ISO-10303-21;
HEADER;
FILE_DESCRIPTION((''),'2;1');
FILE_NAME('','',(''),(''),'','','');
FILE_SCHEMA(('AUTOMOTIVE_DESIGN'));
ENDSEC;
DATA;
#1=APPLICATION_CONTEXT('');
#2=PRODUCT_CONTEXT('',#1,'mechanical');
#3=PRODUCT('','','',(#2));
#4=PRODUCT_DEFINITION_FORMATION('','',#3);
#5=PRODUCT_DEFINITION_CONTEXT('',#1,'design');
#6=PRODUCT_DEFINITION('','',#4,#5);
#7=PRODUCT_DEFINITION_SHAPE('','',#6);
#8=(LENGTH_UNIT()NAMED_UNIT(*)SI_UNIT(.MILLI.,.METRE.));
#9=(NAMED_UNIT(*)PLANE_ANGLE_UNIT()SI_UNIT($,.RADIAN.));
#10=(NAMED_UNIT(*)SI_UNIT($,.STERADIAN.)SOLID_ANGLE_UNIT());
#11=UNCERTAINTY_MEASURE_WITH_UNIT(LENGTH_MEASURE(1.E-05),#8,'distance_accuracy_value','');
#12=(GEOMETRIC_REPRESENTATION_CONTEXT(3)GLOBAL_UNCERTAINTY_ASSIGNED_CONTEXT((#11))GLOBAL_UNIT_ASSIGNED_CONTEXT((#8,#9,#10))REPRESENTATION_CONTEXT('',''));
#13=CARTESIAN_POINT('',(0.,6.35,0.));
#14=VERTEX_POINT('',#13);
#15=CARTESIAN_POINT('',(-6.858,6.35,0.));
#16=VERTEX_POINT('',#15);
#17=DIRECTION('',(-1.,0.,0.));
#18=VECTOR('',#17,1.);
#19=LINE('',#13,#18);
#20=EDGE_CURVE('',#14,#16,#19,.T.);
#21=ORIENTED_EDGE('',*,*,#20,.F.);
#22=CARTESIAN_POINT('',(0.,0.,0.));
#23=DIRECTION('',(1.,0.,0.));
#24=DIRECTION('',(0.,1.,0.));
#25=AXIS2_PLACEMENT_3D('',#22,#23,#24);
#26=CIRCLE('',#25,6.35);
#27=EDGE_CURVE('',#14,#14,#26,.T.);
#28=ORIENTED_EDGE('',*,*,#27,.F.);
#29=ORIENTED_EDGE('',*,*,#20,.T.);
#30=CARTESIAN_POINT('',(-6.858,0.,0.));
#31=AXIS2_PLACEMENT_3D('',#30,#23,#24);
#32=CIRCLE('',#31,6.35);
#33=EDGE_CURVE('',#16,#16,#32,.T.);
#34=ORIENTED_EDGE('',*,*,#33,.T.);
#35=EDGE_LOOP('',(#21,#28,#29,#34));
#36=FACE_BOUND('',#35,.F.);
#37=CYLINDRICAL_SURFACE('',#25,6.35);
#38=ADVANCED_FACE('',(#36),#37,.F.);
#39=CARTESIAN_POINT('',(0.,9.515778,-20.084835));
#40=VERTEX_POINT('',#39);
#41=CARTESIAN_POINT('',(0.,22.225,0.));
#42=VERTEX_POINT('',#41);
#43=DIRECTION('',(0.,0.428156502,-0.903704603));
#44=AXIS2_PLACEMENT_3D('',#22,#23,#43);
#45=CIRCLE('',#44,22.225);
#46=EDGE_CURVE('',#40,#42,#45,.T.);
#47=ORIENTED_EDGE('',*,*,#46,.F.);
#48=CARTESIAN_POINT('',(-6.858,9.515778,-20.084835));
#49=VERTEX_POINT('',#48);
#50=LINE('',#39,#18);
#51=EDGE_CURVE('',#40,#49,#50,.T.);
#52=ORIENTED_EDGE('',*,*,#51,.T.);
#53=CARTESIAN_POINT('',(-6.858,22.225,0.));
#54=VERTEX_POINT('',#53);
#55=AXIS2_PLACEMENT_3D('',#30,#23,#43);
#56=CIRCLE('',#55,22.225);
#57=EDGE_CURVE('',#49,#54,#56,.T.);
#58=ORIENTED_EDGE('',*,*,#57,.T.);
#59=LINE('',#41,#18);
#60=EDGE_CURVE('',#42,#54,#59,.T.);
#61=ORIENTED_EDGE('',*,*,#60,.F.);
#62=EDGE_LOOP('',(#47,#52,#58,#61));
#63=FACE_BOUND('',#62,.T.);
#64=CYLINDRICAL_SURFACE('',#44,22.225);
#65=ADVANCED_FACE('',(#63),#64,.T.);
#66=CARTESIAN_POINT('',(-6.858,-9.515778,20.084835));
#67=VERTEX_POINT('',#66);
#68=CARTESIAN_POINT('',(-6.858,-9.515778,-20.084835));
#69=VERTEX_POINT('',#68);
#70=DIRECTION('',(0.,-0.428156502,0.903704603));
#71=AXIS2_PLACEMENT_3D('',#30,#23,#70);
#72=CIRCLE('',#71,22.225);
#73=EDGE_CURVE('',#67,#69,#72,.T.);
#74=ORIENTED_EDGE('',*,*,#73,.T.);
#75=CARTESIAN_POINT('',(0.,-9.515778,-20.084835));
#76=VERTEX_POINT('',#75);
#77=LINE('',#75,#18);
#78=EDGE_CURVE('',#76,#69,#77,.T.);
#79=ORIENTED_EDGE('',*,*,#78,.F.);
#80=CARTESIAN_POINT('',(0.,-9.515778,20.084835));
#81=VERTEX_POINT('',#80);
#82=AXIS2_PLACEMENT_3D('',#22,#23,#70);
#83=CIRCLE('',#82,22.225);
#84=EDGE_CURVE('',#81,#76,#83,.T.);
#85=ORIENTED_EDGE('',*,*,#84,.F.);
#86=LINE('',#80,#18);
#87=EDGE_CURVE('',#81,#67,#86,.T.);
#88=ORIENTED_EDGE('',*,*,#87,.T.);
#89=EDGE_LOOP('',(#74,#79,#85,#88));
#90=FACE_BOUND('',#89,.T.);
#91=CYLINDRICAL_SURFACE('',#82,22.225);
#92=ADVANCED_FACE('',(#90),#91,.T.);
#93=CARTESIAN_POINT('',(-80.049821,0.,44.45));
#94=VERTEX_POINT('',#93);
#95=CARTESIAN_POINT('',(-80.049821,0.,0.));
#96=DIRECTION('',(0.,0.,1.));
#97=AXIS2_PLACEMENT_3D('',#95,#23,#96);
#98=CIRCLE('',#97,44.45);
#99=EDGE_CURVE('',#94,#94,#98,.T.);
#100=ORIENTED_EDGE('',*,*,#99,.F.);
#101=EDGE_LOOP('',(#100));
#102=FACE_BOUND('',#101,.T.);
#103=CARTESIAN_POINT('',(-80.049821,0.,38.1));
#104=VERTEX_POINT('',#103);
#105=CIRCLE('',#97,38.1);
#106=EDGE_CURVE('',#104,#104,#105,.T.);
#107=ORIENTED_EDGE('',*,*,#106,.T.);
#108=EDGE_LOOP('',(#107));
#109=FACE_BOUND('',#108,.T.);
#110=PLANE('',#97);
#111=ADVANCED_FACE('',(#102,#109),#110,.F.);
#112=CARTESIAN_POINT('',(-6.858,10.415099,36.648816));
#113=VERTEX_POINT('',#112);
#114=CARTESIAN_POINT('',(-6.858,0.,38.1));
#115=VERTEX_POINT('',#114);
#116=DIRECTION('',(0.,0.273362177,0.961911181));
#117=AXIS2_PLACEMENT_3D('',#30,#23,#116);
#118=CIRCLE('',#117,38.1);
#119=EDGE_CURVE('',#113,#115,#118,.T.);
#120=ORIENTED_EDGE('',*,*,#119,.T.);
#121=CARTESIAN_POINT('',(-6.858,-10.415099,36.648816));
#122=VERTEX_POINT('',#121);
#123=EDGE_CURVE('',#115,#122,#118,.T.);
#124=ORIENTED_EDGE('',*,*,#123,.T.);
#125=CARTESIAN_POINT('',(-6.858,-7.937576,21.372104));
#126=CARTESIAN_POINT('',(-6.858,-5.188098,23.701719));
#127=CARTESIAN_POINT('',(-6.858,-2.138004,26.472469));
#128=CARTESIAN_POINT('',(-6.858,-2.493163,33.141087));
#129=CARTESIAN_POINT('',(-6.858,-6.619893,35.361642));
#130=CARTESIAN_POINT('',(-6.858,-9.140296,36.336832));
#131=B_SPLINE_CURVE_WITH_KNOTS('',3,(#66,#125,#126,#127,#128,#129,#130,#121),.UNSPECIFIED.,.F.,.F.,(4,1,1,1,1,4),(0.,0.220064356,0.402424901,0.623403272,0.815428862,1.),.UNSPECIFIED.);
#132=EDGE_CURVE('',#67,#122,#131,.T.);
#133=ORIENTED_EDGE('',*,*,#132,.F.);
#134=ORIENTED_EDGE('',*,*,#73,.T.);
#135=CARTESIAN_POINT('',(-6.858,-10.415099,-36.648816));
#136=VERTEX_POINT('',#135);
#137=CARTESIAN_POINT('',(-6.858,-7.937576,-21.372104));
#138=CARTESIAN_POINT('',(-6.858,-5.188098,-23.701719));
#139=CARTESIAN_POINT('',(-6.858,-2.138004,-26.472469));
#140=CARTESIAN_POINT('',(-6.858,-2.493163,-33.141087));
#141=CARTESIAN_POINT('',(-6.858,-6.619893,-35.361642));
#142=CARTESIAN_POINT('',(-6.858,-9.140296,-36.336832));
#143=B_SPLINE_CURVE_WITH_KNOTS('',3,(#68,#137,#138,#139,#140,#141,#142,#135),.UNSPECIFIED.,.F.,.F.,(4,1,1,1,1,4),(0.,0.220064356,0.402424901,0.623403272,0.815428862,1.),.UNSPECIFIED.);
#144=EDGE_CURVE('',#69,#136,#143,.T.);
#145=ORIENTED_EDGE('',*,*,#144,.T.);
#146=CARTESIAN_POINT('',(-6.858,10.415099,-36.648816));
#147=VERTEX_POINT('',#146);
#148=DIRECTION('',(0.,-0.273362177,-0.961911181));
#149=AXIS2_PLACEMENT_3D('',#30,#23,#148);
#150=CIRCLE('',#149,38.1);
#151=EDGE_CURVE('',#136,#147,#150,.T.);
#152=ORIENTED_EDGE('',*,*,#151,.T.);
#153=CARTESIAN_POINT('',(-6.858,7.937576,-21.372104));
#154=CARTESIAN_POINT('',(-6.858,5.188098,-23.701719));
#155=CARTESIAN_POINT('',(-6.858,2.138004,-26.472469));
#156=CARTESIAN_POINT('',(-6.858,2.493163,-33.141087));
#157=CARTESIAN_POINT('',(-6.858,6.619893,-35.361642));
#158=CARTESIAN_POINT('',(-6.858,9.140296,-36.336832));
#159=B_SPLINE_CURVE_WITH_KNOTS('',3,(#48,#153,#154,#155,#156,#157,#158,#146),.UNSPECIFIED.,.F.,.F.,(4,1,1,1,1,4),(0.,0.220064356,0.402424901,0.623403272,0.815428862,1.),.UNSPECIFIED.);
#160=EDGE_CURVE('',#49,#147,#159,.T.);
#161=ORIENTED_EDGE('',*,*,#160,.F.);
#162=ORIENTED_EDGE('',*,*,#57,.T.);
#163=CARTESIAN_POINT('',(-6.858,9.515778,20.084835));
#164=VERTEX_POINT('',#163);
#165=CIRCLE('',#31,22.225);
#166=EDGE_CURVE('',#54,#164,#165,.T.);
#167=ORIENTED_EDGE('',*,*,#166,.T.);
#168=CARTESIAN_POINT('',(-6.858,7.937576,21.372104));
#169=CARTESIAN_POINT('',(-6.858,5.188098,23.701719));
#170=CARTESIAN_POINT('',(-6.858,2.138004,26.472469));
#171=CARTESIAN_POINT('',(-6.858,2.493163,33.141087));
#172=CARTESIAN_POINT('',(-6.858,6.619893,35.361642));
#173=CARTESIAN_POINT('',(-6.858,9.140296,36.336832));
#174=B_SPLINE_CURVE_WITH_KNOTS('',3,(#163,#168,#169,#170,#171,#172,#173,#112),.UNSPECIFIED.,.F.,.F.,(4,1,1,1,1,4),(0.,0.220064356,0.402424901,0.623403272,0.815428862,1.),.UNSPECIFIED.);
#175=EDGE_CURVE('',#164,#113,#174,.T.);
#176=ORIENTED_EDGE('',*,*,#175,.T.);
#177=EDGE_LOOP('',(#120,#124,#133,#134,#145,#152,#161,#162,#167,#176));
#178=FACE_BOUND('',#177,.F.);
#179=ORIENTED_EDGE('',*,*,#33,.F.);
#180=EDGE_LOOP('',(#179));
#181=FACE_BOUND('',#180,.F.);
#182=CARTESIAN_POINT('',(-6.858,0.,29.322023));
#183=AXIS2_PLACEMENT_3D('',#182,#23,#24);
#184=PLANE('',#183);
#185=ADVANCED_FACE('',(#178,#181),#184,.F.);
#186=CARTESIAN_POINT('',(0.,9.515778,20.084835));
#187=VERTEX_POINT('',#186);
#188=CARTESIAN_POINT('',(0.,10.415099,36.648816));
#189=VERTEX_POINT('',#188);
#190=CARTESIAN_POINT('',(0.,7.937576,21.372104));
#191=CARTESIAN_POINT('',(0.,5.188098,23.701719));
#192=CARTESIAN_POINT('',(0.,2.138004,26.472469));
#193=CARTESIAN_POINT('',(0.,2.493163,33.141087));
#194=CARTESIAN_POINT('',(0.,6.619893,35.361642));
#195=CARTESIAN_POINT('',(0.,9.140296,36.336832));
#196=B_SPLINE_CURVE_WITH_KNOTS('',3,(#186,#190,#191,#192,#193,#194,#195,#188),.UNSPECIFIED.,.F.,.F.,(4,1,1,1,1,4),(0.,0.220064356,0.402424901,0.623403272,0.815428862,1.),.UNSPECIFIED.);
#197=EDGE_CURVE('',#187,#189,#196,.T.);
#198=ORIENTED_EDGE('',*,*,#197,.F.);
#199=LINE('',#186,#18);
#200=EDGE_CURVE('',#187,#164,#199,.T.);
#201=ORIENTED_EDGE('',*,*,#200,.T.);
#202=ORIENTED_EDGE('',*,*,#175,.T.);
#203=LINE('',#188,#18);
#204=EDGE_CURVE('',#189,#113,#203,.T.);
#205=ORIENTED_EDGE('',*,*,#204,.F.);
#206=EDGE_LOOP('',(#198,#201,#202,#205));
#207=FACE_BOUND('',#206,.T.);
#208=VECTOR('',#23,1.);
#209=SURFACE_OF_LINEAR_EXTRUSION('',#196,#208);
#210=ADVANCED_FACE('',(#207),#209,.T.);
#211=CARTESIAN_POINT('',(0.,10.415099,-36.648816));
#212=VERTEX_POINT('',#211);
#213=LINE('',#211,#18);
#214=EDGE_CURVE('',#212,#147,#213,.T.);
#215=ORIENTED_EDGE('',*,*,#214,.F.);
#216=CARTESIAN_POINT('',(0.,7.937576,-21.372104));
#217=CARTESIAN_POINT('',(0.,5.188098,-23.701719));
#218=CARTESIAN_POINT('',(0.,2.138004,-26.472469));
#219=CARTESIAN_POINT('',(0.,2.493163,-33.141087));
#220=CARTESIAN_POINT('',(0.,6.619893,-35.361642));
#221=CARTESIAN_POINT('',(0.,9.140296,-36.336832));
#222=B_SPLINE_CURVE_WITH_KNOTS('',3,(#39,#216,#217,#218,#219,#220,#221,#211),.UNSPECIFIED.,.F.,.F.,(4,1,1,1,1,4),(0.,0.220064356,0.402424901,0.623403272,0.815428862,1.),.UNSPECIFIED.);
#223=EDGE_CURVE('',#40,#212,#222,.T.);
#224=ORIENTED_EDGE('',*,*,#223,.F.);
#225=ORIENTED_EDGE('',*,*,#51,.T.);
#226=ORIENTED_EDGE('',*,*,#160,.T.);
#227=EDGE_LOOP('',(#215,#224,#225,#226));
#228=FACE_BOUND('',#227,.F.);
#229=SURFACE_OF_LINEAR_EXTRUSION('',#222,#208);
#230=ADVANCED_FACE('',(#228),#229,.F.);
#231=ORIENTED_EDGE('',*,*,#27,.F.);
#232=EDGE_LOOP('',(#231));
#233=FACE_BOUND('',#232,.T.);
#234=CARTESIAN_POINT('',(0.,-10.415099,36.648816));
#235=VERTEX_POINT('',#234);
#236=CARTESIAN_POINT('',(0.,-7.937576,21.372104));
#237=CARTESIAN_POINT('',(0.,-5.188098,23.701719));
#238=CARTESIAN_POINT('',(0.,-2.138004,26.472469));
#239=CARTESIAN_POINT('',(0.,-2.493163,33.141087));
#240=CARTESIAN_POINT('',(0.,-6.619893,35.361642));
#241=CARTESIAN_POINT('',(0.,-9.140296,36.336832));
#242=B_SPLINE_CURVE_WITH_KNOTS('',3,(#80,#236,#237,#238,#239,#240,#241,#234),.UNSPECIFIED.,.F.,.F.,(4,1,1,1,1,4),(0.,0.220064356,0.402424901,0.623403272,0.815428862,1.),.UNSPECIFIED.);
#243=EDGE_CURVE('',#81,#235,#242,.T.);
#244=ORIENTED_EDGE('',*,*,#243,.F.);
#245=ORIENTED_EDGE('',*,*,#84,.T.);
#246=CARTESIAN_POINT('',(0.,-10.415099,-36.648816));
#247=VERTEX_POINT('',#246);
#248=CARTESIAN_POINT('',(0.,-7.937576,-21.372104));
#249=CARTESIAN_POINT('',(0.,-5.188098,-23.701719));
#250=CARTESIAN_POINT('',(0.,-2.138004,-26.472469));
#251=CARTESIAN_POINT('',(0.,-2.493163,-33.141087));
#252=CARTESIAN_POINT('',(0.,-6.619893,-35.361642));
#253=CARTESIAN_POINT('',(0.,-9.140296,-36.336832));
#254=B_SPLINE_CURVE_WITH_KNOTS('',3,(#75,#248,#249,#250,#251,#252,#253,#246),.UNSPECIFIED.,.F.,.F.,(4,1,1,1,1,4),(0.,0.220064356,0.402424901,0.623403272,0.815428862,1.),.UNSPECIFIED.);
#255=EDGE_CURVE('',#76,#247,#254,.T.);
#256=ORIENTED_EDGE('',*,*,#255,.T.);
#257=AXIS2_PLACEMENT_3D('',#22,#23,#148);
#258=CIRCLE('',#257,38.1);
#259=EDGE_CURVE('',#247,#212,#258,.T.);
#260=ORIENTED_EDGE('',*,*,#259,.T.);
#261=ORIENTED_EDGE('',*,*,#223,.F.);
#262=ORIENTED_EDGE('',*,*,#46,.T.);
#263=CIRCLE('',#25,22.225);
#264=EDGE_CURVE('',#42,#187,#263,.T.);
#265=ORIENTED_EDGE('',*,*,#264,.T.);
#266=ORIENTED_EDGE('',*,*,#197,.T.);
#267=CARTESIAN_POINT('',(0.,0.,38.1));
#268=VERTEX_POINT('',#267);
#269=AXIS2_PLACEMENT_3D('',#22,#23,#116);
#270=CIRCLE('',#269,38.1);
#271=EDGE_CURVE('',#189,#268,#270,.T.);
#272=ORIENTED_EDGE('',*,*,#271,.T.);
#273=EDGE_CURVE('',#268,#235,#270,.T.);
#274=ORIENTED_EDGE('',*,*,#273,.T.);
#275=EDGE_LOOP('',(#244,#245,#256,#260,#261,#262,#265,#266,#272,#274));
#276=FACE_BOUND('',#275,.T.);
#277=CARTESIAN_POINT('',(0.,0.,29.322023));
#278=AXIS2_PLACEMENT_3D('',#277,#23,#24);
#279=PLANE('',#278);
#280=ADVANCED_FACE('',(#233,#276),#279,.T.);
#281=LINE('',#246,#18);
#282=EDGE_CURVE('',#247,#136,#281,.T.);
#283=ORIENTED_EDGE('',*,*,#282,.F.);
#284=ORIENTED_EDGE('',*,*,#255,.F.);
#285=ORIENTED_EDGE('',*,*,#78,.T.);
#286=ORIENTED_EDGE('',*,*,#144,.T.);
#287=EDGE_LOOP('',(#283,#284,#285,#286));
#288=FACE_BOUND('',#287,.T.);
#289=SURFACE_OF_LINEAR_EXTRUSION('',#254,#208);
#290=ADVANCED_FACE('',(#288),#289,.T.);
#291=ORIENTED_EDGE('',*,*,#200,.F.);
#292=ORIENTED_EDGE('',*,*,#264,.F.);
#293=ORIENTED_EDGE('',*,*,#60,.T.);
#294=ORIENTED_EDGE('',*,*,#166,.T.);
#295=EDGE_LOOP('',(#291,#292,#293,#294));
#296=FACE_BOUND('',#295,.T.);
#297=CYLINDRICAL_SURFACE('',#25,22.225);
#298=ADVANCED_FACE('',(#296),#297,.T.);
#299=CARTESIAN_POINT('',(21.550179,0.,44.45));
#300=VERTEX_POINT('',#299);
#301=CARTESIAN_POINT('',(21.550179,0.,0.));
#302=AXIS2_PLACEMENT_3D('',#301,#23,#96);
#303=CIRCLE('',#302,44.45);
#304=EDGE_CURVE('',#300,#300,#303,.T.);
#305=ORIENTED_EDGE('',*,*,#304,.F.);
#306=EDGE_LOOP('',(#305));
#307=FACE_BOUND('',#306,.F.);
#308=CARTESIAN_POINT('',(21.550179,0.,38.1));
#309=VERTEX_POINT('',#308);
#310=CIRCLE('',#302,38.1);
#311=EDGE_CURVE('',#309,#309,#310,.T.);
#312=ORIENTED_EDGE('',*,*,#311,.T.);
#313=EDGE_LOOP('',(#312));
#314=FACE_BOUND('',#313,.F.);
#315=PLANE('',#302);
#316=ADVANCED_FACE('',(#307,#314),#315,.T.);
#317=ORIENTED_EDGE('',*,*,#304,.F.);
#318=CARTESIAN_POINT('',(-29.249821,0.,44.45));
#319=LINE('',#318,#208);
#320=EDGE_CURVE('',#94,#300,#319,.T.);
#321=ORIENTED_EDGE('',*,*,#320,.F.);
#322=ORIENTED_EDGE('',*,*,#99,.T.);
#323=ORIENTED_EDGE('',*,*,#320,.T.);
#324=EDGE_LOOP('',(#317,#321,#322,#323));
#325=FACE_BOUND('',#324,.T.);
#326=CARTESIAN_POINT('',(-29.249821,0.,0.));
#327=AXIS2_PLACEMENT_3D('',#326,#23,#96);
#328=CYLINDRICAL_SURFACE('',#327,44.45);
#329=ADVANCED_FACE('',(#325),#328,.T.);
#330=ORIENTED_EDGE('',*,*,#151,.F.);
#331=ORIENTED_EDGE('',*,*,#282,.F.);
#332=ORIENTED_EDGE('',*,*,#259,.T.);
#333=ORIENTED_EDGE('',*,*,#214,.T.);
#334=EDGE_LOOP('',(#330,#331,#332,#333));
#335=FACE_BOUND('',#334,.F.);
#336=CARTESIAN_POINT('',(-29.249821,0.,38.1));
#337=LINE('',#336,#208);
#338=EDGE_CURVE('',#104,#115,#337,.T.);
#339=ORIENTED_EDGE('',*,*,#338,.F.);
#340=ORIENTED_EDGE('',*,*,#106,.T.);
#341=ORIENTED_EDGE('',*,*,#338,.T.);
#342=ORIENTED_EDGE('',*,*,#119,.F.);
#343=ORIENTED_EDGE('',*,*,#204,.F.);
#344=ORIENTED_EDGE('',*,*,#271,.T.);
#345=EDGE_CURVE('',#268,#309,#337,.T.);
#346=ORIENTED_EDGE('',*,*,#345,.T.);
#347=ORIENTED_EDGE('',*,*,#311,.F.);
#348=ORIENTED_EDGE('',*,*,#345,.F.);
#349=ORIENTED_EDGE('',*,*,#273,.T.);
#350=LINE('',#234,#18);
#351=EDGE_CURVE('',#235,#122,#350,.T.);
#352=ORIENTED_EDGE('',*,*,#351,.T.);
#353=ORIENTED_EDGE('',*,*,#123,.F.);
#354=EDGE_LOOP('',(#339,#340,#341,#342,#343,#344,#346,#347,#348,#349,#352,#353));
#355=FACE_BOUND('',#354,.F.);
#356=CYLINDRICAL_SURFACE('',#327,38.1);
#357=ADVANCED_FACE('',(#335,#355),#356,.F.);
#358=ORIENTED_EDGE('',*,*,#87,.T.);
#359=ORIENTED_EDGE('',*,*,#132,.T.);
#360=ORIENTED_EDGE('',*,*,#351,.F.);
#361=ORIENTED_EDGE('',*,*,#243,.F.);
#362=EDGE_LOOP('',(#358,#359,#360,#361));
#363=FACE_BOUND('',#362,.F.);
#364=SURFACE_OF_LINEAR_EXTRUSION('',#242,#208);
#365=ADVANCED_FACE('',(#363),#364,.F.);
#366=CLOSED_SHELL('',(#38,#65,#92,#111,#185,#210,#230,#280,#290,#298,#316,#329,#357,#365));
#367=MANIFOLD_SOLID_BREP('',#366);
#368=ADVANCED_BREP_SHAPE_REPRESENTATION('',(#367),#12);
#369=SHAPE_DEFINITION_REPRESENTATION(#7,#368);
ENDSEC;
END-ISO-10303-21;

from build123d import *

# Parameters (mm, degrees)
F0_W     = 101.6
F0_H     = 6.35
F2_R     = 6.35
F3_DEPTH = 6.858


with BuildPart() as f1:
    # F0 (on Front) → F1 (revolve)
    with BuildSketch(Plane.XZ):
        with Locations((-29.2498211854, 41.275)):
            Rectangle(F0_W, F0_H)
    revolve(axis=Axis((-38.313806057, 0, 0), (1, 0, 0)))

    # F2 (on Right) → F3 (join)
    with BuildSketch(Plane.YZ):
        with BuildLine():
            ThreePointArc((-9.515778256, 20.0848348059), (0, 22.225), (9.515778256, 20.0848348059))
            add(Edge.make_bspline(
                [(9.515778256, 20.0848348059), (7.9375755544, 21.3721038869), (5.1880981762, 23.7017194046), (2.1380038573, 26.4724692578), (2.4931630977, 33.1410867844), (6.6198931457, 35.3616419631), (9.1402957069, 36.3368324004), (10.4150989588, 36.6488159929)],
                knots=[0, 0, 0, 0, 0.2200643555, 0.4024249008, 0.6234032719, 0.8154288622, 1, 1, 1, 1], degree=3))
            ThreePointArc((10.4150989588, 36.6488159929), (0, 38.1), (-10.4150989588, 36.6488159929))
            add(Edge.make_bspline(
                [(-9.515778256, 20.0848348059), (-7.9375755544, 21.3721038869), (-5.1880981762, 23.7017194046), (-2.1380038573, 26.4724692578), (-2.4931630977, 33.1410867844), (-6.6198931457, 35.3616419631), (-9.1402957069, 36.3368324004), (-10.4150989588, 36.6488159929)],
                knots=[0, 0, 0, 0, 0.2200643555, 0.4024249008, 0.6234032719, 0.8154288622, 1, 1, 1, 1], degree=3))
        make_face()
        with BuildLine():
            ThreePointArc((9.515778256, -20.0848348059), (18.7808252846, -11.8840744961), (22.225, 0))
            ThreePointArc((22.225, 0), (18.7808252846, 11.8840744961), (9.515778256, 20.0848348059))
            ThreePointArc((9.515778256, 20.0848348059), (0, 22.225), (-9.515778256, 20.0848348059))
            ThreePointArc((-9.515778256, 20.0848348059), (-22.225, 0), (-9.515778256, -20.0848348059))
            ThreePointArc((-9.515778256, -20.0848348059), (0, -22.225), (9.515778256, -20.0848348059))
        make_face()
        Circle(F2_R, mode=Mode.SUBTRACT)
        with BuildLine():
            add(Edge.make_bspline(
                [(9.515778256, -20.0848348059), (7.9375755544, -21.3721038869), (5.1880981762, -23.7017194046), (2.1380038573, -26.4724692578), (2.4931630977, -33.1410867844), (6.6198931457, -35.3616419631), (9.1402957069, -36.3368324004), (10.4150989588, -36.6488159929)],
                knots=[0, 0, 0, 0, 0.2200643555, 0.4024249008, 0.6234032719, 0.8154288622, 1, 1, 1, 1], degree=3))
            ThreePointArc((9.515778256, -20.0848348059), (0, -22.225), (-9.515778256, -20.0848348059))
            add(Edge.make_bspline(
                [(-9.515778256, -20.0848348059), (-7.9375755544, -21.3721038869), (-5.1880981762, -23.7017194046), (-2.1380038573, -26.4724692578), (-2.4931630977, -33.1410867844), (-6.6198931457, -35.3616419631), (-9.1402957069, -36.3368324004), (-10.4150989588, -36.6488159929)],
                knots=[0, 0, 0, 0, 0.2200643555, 0.4024249008, 0.6234032719, 0.8154288622, 1, 1, 1, 1], degree=3))
            ThreePointArc((-10.4150989588, -36.6488159929), (0, -38.1), (10.4150989588, -36.6488159929))
        make_face()
    extrude(amount=-F3_DEPTH)


solid = f1.part
